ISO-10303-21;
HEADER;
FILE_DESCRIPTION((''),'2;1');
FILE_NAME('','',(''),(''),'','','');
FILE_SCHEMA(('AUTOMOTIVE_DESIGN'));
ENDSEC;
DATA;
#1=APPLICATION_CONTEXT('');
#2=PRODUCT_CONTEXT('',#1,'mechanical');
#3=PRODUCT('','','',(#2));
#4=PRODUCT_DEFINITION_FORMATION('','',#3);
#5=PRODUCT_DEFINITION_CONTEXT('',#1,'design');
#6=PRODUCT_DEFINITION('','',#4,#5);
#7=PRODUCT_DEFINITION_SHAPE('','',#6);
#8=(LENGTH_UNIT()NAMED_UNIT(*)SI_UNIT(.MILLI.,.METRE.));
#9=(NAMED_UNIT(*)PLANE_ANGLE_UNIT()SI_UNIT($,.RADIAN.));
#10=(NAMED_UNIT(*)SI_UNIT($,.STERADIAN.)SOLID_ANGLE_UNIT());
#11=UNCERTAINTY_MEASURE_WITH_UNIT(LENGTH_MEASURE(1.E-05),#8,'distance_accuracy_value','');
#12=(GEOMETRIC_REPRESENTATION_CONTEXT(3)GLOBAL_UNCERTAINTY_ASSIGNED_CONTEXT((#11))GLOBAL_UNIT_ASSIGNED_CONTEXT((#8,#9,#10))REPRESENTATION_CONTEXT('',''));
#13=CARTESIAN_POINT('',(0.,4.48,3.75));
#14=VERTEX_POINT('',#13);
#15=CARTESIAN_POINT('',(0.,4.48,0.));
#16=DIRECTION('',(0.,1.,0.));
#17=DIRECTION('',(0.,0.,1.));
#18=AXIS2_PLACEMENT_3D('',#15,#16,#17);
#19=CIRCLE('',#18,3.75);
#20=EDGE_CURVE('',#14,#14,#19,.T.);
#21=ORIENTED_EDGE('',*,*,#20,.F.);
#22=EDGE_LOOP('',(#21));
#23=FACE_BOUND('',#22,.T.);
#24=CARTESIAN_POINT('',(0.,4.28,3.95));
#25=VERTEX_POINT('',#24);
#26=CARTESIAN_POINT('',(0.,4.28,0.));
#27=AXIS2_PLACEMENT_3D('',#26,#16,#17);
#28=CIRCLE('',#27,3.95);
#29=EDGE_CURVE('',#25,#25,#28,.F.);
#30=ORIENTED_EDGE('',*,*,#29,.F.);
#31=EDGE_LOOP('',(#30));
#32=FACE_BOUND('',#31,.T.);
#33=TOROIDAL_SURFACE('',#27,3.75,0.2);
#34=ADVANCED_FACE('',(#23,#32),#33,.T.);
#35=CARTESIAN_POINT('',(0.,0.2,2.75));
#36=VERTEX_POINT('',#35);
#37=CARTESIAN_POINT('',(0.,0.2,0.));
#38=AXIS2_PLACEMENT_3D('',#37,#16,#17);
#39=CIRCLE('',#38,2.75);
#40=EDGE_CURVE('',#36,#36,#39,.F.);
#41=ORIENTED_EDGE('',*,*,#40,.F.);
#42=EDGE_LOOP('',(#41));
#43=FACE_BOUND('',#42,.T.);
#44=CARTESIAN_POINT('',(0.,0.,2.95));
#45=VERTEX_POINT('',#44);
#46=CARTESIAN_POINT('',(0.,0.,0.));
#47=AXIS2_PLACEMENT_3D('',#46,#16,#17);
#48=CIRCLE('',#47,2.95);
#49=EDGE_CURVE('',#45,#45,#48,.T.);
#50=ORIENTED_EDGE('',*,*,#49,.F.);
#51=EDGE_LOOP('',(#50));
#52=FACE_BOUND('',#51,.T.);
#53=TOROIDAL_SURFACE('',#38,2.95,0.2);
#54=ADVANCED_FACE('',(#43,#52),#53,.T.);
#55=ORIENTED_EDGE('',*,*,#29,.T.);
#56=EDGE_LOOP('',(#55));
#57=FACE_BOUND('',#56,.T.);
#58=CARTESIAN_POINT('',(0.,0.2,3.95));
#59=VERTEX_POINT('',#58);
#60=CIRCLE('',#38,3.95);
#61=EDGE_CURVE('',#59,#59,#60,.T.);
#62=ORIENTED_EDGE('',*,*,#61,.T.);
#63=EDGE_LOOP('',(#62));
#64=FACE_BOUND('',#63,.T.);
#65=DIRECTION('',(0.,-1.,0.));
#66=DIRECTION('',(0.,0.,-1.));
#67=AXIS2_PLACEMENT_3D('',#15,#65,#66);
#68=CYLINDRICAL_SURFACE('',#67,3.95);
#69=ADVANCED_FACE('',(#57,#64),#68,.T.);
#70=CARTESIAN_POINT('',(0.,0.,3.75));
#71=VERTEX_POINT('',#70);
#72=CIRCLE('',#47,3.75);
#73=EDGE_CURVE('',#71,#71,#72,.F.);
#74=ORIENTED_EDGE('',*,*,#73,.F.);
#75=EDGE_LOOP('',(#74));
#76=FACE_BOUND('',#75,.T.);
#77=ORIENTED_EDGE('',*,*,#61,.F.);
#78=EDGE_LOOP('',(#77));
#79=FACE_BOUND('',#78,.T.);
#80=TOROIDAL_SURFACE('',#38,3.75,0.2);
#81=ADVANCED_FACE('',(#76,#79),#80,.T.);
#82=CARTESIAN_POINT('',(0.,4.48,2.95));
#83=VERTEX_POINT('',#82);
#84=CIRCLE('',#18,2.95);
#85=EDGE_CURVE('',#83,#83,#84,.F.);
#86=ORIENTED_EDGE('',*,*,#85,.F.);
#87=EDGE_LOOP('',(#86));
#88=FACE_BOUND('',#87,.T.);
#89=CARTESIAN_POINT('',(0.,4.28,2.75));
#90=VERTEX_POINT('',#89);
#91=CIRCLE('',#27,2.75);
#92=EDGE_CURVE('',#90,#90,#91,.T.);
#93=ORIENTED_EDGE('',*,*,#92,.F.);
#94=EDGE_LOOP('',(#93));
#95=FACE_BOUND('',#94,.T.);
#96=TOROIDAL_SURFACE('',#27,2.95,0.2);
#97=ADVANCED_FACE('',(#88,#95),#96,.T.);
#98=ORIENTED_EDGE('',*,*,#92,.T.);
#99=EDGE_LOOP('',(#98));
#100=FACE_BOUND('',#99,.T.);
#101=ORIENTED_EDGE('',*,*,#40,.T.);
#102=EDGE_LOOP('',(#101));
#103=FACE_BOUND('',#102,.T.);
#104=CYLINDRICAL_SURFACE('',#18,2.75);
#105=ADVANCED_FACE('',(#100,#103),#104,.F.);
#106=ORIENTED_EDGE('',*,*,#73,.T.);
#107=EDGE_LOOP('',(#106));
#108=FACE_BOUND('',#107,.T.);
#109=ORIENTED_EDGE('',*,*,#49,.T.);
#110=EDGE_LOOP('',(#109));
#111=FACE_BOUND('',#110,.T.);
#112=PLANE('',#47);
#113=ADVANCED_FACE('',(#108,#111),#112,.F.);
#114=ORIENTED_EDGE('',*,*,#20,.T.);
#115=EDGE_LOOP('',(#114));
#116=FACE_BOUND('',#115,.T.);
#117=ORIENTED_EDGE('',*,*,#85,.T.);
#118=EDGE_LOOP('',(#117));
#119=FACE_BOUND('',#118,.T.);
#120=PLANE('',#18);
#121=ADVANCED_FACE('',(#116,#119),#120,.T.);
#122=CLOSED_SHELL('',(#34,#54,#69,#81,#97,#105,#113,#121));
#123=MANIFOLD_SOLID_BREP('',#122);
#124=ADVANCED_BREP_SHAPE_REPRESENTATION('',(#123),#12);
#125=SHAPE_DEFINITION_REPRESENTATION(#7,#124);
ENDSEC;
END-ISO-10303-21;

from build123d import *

# Parameters (mm, degrees)
SKETCH1_R                = 3.95
BOSS_EXTRUDE1_DEPTH      = 4.48
M5_CLEARANCE_HOLE1_D     = 5.5
M5_CLEARANCE_HOLE1_DEPTH = 4.48
M5_CLEARANCE_HOLE1_TIP   = 1.652366702
FILLET1_R                = 0.2


with BuildPart() as part:
    # Sketch1 → Boss-Extrude1 (new body)
    with BuildSketch(Plane(origin=(0, 0, 0), x_dir=(1, 0, 0), z_dir=(0, 1, 0))):
        Circle(SKETCH1_R)
    extrude(amount=BOSS_EXTRUDE1_DEPTH)

    # M5 Clearance Hole1
    with Locations(Plane(origin=(0, 4.48, 0), x_dir=(1, 0, 0), z_dir=(0, 1, 0))):
        with Locations((0, 0)):
            Hole(M5_CLEARANCE_HOLE1_D / 2, depth=M5_CLEARANCE_HOLE1_DEPTH)
            with Locations((0, 0, -(M5_CLEARANCE_HOLE1_DEPTH + M5_CLEARANCE_HOLE1_TIP / 2))):  # 118° drill point
                Cone(0, M5_CLEARANCE_HOLE1_D / 2, M5_CLEARANCE_HOLE1_TIP, mode=Mode.SUBTRACT)

    # Fillet1
    fillet1_edges = [part.edges().sort_by_distance(p)[0] for p in [
        (2.75, 0, 0),
        (-3.95, 0, 0),
        (-3.95, 4.48, 0),
        (2.75, 4.48, 0),
    ]]
    fillet(fillet1_edges, radius=FILLET1_R)


solid = part.part
